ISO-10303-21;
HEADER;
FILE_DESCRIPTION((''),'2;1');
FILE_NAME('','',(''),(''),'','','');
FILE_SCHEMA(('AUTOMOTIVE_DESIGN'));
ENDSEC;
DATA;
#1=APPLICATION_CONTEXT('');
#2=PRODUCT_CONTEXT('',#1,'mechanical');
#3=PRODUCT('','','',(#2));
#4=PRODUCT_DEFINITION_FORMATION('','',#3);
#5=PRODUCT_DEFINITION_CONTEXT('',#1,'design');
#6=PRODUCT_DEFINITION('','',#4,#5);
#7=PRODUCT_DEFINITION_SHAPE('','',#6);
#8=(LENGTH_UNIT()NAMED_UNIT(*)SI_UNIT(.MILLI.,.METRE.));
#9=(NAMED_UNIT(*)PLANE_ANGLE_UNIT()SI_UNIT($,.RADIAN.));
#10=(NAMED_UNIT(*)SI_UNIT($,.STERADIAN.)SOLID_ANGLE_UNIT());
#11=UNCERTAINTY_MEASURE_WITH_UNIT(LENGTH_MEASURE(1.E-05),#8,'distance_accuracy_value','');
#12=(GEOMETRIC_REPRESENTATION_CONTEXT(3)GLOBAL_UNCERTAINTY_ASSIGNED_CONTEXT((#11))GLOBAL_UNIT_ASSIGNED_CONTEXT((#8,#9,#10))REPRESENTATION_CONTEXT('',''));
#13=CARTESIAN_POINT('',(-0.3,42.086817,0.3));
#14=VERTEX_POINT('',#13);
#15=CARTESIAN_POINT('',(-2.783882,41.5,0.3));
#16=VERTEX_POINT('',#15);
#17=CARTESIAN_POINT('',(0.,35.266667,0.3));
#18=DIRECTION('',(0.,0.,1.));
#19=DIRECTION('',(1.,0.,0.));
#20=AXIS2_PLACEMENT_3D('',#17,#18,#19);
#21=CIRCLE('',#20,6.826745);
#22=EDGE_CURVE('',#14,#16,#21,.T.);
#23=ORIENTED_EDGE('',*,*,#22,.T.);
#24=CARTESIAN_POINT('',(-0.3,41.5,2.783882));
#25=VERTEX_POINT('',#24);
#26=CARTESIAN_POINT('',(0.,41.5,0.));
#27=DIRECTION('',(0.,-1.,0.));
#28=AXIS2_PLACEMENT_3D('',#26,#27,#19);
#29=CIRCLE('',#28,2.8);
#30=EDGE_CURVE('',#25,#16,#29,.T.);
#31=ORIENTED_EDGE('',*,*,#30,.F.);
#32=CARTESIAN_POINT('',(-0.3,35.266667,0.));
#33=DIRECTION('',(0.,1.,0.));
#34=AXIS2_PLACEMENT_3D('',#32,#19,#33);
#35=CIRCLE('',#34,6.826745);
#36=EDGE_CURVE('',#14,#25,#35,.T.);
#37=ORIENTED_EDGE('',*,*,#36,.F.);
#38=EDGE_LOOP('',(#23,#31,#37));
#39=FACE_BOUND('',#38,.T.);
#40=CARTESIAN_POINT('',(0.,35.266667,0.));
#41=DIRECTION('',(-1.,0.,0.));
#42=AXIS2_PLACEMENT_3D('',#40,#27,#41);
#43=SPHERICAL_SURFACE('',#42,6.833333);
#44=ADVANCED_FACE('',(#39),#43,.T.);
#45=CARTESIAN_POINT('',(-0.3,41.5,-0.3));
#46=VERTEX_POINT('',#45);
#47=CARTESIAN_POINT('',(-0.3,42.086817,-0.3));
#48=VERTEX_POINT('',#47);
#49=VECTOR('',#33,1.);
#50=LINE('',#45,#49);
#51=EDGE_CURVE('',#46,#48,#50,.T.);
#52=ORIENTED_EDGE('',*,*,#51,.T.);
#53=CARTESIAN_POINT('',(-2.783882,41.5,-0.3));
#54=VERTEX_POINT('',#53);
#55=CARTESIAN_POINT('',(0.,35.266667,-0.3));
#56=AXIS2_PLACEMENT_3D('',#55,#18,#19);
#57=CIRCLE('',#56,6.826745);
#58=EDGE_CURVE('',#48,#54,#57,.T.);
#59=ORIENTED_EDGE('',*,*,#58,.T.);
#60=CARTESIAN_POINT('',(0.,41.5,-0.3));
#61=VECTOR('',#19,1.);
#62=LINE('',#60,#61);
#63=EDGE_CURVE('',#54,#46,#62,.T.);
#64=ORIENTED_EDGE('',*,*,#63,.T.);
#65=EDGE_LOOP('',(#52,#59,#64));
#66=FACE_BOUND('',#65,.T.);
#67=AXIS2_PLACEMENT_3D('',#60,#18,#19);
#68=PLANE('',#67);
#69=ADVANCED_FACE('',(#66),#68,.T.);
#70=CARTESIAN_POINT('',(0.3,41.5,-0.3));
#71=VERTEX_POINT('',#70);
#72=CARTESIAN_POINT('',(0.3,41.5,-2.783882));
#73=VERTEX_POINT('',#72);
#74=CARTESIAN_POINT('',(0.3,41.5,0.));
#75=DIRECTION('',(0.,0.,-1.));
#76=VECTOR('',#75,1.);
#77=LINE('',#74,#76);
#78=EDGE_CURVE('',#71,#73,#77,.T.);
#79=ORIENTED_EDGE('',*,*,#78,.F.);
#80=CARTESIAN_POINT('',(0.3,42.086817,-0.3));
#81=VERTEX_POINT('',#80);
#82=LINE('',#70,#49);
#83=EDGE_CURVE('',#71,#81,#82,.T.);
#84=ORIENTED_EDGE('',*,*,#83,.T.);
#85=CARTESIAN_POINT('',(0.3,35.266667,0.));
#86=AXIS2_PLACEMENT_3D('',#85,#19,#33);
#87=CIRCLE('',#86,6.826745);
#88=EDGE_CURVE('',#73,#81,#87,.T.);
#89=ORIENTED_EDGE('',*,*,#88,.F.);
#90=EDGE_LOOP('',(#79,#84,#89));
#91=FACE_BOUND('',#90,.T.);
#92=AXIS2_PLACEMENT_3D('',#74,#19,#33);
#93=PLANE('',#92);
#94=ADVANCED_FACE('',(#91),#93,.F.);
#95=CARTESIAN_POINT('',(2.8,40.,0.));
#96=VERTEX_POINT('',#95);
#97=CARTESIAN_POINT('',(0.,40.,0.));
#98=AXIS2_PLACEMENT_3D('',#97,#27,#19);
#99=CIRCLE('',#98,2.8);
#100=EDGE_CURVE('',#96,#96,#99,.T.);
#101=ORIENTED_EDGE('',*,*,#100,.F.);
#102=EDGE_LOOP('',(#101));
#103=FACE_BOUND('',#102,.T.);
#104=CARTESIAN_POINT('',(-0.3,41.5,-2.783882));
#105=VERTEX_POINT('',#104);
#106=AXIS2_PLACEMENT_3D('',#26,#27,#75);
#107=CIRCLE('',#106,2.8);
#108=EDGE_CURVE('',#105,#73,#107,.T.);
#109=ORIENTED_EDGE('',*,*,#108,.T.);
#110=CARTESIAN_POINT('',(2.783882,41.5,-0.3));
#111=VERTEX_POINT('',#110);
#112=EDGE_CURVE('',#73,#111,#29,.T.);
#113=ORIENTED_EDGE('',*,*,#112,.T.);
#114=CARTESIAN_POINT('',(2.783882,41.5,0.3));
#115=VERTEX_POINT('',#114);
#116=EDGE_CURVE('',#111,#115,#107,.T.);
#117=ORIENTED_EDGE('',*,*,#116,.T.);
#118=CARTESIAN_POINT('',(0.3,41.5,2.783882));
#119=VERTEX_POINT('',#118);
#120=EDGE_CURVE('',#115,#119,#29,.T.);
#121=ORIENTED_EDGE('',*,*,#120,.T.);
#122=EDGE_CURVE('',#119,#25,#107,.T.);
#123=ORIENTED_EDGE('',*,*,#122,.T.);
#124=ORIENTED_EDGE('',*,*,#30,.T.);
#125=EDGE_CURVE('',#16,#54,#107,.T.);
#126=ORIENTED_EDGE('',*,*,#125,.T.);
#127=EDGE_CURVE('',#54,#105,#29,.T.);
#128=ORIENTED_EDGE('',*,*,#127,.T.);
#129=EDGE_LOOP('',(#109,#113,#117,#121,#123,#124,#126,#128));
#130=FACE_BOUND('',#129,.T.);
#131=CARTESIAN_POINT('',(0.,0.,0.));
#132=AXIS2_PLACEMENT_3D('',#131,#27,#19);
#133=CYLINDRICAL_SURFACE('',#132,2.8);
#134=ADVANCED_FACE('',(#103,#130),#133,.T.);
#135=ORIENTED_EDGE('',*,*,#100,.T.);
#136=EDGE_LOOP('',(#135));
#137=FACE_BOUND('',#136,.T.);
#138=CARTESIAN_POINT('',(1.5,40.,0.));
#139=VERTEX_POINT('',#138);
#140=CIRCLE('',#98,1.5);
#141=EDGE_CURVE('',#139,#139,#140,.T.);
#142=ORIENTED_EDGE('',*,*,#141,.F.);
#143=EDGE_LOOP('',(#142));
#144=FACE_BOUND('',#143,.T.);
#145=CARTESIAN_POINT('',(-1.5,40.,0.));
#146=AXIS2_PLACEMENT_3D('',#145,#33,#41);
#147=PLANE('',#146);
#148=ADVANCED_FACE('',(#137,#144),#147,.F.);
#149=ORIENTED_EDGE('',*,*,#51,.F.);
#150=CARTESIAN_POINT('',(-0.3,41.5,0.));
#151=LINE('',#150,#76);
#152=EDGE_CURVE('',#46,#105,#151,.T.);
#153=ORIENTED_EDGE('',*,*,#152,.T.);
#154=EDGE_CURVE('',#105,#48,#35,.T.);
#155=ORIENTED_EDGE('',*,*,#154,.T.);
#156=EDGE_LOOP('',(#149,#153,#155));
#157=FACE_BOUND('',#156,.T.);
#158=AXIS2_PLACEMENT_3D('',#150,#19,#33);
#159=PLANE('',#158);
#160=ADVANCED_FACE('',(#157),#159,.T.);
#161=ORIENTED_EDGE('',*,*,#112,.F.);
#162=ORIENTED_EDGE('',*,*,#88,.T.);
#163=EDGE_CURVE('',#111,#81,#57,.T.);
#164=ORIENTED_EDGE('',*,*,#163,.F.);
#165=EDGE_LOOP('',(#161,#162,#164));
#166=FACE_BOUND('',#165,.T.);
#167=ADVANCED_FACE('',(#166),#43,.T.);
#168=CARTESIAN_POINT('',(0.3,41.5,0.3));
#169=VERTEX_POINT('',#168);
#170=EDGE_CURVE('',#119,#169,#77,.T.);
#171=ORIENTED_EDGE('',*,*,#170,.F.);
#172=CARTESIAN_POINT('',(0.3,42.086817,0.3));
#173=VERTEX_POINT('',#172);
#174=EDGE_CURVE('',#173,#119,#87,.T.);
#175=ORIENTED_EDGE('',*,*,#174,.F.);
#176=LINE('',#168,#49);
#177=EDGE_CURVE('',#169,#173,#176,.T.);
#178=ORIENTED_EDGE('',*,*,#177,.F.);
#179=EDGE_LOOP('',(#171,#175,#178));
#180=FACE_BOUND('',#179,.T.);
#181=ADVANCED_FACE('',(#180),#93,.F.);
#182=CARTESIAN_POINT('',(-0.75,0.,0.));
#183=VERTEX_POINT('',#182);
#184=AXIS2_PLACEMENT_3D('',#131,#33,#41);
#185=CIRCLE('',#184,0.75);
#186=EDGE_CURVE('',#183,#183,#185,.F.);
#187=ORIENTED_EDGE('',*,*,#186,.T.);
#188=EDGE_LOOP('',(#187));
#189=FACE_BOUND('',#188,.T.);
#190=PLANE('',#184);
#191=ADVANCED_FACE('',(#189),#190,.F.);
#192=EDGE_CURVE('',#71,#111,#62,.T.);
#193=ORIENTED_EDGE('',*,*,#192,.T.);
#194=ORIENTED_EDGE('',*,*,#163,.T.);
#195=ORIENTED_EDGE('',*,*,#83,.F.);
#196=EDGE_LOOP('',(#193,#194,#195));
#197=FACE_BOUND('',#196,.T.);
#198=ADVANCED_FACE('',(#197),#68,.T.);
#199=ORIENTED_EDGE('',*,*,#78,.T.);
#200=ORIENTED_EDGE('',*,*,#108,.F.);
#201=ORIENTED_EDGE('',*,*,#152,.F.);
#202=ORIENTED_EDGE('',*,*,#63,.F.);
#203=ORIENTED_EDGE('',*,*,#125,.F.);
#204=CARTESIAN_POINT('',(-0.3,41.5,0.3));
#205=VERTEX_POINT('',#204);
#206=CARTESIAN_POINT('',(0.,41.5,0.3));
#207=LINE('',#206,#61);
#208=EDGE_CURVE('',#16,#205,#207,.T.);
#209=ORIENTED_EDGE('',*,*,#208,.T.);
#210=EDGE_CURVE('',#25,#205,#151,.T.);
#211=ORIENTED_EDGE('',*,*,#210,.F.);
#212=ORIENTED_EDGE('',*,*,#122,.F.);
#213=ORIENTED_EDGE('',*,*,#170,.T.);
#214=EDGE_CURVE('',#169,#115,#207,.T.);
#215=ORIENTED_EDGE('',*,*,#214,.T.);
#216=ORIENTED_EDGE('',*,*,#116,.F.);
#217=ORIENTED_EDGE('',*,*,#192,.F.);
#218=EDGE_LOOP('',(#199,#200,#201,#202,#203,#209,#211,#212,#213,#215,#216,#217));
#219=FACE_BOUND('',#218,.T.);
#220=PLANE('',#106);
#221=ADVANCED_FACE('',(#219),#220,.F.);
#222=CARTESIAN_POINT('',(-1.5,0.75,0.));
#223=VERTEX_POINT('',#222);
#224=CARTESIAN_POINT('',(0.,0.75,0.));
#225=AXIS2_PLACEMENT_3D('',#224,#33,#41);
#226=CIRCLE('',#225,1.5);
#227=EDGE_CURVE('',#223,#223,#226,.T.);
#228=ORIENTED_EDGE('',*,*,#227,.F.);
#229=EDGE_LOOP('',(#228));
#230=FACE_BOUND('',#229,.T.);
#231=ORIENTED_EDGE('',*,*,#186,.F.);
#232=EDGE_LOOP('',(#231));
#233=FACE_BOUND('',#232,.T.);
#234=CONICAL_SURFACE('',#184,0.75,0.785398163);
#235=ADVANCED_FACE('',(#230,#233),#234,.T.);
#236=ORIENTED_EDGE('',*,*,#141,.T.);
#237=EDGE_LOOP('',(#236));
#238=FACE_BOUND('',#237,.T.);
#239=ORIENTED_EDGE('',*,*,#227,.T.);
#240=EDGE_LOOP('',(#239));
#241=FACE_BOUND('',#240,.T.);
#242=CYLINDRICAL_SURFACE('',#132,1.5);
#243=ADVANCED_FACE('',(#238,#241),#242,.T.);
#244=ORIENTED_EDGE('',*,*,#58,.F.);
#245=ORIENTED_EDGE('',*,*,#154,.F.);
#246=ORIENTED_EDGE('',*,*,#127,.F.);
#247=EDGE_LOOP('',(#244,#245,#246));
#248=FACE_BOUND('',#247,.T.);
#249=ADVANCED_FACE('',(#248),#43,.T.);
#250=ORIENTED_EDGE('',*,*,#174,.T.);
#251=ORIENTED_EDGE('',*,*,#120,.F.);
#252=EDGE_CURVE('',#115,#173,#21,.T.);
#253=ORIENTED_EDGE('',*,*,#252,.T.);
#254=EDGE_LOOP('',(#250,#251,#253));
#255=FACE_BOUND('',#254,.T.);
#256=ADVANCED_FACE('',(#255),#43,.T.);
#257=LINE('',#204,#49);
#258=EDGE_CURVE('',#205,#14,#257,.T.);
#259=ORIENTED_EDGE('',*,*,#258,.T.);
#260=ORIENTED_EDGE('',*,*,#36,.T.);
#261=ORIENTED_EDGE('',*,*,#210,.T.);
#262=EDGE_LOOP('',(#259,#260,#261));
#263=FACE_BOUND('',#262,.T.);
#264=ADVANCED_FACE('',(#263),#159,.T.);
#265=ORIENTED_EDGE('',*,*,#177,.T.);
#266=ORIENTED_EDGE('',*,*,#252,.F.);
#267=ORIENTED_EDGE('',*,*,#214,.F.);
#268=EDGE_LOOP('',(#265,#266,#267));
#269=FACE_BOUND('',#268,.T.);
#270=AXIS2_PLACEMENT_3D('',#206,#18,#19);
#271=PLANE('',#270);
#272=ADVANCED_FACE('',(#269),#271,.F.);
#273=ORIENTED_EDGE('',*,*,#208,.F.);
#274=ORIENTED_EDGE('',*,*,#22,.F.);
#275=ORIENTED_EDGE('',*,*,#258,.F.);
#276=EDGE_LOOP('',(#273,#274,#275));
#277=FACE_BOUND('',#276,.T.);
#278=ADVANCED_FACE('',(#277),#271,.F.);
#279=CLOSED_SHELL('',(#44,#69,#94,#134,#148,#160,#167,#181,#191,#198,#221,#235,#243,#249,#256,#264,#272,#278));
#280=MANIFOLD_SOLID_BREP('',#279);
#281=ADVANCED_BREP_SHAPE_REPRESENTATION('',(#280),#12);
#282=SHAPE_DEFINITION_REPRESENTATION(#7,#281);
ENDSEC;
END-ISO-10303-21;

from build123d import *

# Parameters (mm, degrees)
WYTNIJ_WYCI_GNI_CIE1_START = -5
SZKIC2_W                   = 0.6
SZKIC2_H                   = 0.6
WYTNIJ_WYCI_GNI_CIE1_DEPTH = 3.5
SFAZOWANIE1_SIZE           = 0.75


with BuildPart() as part:
    # Szkic1 → Obrót1 (revolve)
    with BuildSketch(Plane.XY, mode=Mode.PRIVATE) as obr_t1_sk:
        with BuildLine():
            Line((0, 0), (-1.5, 0))
            Line((-1.5, 0), (-1.5, 40))
            Line((-1.5, 40), (-2.8, 40))
            Line((-2.8, 40), (-2.8, 41.5))
            ThreePointArc((-2.8, 41.5), (-1.431782106, 41.948316496), (0, 42.1))
            Line((0, 42.1), (0, 0))
        make_face()
    revolve(obr_t1_sk.sketch.rotate(Axis((0, 0, 0), (0, 1, 0)), 180), axis=Axis((0, 0, 0), (0, 1, 0)))

    # Szkic2 → Wytnij-wyciągnięcie1 (cut)
    with BuildSketch(Plane.XZ.offset(-40).offset(WYTNIJ_WYCI_GNI_CIE1_START)):
        with BuildLine():
            Line((0.3, -0.3), (-0.3, -0.3))
            Line((-0.3, -0.3), (-0.3, -1.469693846))
            ThreePointArc((-0.3, -1.469693846), (0, -1.5), (0.3, -1.469693846))
            Line((0.3, -1.469693846), (0.3, -0.3))
        make_face()
        with BuildLine():
            Line((-0.3, -0.3), (-0.3, 0.3))
            Line((-0.3, 0.3), (-1.469693846, 0.3))
            ThreePointArc((-1.469693846, 0.3), (-1.5, 0), (-1.469693846, -0.3))
            Line((-1.469693846, -0.3), (-0.3, -0.3))
        make_face()
        with BuildLine():
            ThreePointArc((0.3, 1.469693846), (0, 1.5), (-0.3, 1.469693846))
            Line((-0.3, 1.469693846), (-0.3, 0.3))
            Line((-0.3, 0.3), (0.3, 0.3))
            Line((0.3, 0.3), (0.3, 1.469693846))
        make_face()
        with BuildLine():
            ThreePointArc((0.3, 2.783882181), (0.150216331, 2.795967642), (0, 2.8))
            ThreePointArc((0, 2.8), (-0.150216331, 2.795967642), (-0.3, 2.783882181))
            Line((-0.3, 2.783882181), (-0.3, 1.469693846))
            ThreePointArc((-0.3, 1.469693846), (0, 1.5), (0.3, 1.469693846))
            Line((0.3, 1.469693846), (0.3, 2.783882181))
        make_face()
        with BuildLine():
            ThreePointArc((0.3, -1.469693846), (0, -1.5), (-0.3, -1.469693846))
            Line((-0.3, -1.469693846), (-0.3, -2.783882181))
            ThreePointArc((-0.3, -2.783882181), (-0.150216331, -2.795967642), (0, -2.8))
            ThreePointArc((0, -2.8), (0.150216331, -2.795967642), (0.3, -2.783882181))
            Line((0.3, -2.783882181), (0.3, -1.469693846))
        make_face()
        with BuildLine():
            Line((-1.469693846, 0.3), (-2.783882181, 0.3))
            ThreePointArc((-2.783882181, 0.3), (-2.795967642, 0.150216331), (-2.8, 0))
            ThreePointArc((-2.8, 0), (-2.795967642, -0.150216331), (-2.783882181, -0.3))
            Line((-2.783882181, -0.3), (-1.469693846, -0.3))
            ThreePointArc((-1.469693846, -0.3), (-1.5, 0), (-1.469693846, 0.3))
        make_face()
        with BuildLine():
            ThreePointArc((2.8, 0), (2.795967642, 0.150216331), (2.783882181, 0.3))
            Line((2.783882181, 0.3), (1.469693846, 0.3))
            ThreePointArc((1.469693846, 0.3), (1.49240423, 0.150763443), (1.5, 0))
            ThreePointArc((1.5, 0), (1.49240423, -0.150763443), (1.469693846, -0.3))
            Line((1.469693846, -0.3), (2.783882181, -0.3))
            ThreePointArc((2.783882181, -0.3), (2.795967642, -0.150216331), (2.8, 0))
        make_face()
        with BuildLine():
            Line((1.469693846, 0.3), (0.3, 0.3))
            Line((0.3, 0.3), (0.3, -0.3))
            Line((0.3, -0.3), (1.469693846, -0.3))
            ThreePointArc((1.469693846, -0.3), (1.49240423, -0.150763443), (1.5, 0))
            ThreePointArc((1.5, 0), (1.49240423, 0.150763443), (1.469693846, 0.3))
        make_face()
        Rectangle(SZKIC2_W, SZKIC2_H)
    extrude(amount=WYTNIJ_WYCI_GNI_CIE1_DEPTH, mode=Mode.SUBTRACT)

    # Sfazowanie1
    sfazowanie1_edges = [part.edges().sort_by_distance(p)[0] for p in [
        (-1.5, 0, 0),
    ]]
    chamfer(sfazowanie1_edges, length=SFAZOWANIE1_SIZE)


solid = part.part
